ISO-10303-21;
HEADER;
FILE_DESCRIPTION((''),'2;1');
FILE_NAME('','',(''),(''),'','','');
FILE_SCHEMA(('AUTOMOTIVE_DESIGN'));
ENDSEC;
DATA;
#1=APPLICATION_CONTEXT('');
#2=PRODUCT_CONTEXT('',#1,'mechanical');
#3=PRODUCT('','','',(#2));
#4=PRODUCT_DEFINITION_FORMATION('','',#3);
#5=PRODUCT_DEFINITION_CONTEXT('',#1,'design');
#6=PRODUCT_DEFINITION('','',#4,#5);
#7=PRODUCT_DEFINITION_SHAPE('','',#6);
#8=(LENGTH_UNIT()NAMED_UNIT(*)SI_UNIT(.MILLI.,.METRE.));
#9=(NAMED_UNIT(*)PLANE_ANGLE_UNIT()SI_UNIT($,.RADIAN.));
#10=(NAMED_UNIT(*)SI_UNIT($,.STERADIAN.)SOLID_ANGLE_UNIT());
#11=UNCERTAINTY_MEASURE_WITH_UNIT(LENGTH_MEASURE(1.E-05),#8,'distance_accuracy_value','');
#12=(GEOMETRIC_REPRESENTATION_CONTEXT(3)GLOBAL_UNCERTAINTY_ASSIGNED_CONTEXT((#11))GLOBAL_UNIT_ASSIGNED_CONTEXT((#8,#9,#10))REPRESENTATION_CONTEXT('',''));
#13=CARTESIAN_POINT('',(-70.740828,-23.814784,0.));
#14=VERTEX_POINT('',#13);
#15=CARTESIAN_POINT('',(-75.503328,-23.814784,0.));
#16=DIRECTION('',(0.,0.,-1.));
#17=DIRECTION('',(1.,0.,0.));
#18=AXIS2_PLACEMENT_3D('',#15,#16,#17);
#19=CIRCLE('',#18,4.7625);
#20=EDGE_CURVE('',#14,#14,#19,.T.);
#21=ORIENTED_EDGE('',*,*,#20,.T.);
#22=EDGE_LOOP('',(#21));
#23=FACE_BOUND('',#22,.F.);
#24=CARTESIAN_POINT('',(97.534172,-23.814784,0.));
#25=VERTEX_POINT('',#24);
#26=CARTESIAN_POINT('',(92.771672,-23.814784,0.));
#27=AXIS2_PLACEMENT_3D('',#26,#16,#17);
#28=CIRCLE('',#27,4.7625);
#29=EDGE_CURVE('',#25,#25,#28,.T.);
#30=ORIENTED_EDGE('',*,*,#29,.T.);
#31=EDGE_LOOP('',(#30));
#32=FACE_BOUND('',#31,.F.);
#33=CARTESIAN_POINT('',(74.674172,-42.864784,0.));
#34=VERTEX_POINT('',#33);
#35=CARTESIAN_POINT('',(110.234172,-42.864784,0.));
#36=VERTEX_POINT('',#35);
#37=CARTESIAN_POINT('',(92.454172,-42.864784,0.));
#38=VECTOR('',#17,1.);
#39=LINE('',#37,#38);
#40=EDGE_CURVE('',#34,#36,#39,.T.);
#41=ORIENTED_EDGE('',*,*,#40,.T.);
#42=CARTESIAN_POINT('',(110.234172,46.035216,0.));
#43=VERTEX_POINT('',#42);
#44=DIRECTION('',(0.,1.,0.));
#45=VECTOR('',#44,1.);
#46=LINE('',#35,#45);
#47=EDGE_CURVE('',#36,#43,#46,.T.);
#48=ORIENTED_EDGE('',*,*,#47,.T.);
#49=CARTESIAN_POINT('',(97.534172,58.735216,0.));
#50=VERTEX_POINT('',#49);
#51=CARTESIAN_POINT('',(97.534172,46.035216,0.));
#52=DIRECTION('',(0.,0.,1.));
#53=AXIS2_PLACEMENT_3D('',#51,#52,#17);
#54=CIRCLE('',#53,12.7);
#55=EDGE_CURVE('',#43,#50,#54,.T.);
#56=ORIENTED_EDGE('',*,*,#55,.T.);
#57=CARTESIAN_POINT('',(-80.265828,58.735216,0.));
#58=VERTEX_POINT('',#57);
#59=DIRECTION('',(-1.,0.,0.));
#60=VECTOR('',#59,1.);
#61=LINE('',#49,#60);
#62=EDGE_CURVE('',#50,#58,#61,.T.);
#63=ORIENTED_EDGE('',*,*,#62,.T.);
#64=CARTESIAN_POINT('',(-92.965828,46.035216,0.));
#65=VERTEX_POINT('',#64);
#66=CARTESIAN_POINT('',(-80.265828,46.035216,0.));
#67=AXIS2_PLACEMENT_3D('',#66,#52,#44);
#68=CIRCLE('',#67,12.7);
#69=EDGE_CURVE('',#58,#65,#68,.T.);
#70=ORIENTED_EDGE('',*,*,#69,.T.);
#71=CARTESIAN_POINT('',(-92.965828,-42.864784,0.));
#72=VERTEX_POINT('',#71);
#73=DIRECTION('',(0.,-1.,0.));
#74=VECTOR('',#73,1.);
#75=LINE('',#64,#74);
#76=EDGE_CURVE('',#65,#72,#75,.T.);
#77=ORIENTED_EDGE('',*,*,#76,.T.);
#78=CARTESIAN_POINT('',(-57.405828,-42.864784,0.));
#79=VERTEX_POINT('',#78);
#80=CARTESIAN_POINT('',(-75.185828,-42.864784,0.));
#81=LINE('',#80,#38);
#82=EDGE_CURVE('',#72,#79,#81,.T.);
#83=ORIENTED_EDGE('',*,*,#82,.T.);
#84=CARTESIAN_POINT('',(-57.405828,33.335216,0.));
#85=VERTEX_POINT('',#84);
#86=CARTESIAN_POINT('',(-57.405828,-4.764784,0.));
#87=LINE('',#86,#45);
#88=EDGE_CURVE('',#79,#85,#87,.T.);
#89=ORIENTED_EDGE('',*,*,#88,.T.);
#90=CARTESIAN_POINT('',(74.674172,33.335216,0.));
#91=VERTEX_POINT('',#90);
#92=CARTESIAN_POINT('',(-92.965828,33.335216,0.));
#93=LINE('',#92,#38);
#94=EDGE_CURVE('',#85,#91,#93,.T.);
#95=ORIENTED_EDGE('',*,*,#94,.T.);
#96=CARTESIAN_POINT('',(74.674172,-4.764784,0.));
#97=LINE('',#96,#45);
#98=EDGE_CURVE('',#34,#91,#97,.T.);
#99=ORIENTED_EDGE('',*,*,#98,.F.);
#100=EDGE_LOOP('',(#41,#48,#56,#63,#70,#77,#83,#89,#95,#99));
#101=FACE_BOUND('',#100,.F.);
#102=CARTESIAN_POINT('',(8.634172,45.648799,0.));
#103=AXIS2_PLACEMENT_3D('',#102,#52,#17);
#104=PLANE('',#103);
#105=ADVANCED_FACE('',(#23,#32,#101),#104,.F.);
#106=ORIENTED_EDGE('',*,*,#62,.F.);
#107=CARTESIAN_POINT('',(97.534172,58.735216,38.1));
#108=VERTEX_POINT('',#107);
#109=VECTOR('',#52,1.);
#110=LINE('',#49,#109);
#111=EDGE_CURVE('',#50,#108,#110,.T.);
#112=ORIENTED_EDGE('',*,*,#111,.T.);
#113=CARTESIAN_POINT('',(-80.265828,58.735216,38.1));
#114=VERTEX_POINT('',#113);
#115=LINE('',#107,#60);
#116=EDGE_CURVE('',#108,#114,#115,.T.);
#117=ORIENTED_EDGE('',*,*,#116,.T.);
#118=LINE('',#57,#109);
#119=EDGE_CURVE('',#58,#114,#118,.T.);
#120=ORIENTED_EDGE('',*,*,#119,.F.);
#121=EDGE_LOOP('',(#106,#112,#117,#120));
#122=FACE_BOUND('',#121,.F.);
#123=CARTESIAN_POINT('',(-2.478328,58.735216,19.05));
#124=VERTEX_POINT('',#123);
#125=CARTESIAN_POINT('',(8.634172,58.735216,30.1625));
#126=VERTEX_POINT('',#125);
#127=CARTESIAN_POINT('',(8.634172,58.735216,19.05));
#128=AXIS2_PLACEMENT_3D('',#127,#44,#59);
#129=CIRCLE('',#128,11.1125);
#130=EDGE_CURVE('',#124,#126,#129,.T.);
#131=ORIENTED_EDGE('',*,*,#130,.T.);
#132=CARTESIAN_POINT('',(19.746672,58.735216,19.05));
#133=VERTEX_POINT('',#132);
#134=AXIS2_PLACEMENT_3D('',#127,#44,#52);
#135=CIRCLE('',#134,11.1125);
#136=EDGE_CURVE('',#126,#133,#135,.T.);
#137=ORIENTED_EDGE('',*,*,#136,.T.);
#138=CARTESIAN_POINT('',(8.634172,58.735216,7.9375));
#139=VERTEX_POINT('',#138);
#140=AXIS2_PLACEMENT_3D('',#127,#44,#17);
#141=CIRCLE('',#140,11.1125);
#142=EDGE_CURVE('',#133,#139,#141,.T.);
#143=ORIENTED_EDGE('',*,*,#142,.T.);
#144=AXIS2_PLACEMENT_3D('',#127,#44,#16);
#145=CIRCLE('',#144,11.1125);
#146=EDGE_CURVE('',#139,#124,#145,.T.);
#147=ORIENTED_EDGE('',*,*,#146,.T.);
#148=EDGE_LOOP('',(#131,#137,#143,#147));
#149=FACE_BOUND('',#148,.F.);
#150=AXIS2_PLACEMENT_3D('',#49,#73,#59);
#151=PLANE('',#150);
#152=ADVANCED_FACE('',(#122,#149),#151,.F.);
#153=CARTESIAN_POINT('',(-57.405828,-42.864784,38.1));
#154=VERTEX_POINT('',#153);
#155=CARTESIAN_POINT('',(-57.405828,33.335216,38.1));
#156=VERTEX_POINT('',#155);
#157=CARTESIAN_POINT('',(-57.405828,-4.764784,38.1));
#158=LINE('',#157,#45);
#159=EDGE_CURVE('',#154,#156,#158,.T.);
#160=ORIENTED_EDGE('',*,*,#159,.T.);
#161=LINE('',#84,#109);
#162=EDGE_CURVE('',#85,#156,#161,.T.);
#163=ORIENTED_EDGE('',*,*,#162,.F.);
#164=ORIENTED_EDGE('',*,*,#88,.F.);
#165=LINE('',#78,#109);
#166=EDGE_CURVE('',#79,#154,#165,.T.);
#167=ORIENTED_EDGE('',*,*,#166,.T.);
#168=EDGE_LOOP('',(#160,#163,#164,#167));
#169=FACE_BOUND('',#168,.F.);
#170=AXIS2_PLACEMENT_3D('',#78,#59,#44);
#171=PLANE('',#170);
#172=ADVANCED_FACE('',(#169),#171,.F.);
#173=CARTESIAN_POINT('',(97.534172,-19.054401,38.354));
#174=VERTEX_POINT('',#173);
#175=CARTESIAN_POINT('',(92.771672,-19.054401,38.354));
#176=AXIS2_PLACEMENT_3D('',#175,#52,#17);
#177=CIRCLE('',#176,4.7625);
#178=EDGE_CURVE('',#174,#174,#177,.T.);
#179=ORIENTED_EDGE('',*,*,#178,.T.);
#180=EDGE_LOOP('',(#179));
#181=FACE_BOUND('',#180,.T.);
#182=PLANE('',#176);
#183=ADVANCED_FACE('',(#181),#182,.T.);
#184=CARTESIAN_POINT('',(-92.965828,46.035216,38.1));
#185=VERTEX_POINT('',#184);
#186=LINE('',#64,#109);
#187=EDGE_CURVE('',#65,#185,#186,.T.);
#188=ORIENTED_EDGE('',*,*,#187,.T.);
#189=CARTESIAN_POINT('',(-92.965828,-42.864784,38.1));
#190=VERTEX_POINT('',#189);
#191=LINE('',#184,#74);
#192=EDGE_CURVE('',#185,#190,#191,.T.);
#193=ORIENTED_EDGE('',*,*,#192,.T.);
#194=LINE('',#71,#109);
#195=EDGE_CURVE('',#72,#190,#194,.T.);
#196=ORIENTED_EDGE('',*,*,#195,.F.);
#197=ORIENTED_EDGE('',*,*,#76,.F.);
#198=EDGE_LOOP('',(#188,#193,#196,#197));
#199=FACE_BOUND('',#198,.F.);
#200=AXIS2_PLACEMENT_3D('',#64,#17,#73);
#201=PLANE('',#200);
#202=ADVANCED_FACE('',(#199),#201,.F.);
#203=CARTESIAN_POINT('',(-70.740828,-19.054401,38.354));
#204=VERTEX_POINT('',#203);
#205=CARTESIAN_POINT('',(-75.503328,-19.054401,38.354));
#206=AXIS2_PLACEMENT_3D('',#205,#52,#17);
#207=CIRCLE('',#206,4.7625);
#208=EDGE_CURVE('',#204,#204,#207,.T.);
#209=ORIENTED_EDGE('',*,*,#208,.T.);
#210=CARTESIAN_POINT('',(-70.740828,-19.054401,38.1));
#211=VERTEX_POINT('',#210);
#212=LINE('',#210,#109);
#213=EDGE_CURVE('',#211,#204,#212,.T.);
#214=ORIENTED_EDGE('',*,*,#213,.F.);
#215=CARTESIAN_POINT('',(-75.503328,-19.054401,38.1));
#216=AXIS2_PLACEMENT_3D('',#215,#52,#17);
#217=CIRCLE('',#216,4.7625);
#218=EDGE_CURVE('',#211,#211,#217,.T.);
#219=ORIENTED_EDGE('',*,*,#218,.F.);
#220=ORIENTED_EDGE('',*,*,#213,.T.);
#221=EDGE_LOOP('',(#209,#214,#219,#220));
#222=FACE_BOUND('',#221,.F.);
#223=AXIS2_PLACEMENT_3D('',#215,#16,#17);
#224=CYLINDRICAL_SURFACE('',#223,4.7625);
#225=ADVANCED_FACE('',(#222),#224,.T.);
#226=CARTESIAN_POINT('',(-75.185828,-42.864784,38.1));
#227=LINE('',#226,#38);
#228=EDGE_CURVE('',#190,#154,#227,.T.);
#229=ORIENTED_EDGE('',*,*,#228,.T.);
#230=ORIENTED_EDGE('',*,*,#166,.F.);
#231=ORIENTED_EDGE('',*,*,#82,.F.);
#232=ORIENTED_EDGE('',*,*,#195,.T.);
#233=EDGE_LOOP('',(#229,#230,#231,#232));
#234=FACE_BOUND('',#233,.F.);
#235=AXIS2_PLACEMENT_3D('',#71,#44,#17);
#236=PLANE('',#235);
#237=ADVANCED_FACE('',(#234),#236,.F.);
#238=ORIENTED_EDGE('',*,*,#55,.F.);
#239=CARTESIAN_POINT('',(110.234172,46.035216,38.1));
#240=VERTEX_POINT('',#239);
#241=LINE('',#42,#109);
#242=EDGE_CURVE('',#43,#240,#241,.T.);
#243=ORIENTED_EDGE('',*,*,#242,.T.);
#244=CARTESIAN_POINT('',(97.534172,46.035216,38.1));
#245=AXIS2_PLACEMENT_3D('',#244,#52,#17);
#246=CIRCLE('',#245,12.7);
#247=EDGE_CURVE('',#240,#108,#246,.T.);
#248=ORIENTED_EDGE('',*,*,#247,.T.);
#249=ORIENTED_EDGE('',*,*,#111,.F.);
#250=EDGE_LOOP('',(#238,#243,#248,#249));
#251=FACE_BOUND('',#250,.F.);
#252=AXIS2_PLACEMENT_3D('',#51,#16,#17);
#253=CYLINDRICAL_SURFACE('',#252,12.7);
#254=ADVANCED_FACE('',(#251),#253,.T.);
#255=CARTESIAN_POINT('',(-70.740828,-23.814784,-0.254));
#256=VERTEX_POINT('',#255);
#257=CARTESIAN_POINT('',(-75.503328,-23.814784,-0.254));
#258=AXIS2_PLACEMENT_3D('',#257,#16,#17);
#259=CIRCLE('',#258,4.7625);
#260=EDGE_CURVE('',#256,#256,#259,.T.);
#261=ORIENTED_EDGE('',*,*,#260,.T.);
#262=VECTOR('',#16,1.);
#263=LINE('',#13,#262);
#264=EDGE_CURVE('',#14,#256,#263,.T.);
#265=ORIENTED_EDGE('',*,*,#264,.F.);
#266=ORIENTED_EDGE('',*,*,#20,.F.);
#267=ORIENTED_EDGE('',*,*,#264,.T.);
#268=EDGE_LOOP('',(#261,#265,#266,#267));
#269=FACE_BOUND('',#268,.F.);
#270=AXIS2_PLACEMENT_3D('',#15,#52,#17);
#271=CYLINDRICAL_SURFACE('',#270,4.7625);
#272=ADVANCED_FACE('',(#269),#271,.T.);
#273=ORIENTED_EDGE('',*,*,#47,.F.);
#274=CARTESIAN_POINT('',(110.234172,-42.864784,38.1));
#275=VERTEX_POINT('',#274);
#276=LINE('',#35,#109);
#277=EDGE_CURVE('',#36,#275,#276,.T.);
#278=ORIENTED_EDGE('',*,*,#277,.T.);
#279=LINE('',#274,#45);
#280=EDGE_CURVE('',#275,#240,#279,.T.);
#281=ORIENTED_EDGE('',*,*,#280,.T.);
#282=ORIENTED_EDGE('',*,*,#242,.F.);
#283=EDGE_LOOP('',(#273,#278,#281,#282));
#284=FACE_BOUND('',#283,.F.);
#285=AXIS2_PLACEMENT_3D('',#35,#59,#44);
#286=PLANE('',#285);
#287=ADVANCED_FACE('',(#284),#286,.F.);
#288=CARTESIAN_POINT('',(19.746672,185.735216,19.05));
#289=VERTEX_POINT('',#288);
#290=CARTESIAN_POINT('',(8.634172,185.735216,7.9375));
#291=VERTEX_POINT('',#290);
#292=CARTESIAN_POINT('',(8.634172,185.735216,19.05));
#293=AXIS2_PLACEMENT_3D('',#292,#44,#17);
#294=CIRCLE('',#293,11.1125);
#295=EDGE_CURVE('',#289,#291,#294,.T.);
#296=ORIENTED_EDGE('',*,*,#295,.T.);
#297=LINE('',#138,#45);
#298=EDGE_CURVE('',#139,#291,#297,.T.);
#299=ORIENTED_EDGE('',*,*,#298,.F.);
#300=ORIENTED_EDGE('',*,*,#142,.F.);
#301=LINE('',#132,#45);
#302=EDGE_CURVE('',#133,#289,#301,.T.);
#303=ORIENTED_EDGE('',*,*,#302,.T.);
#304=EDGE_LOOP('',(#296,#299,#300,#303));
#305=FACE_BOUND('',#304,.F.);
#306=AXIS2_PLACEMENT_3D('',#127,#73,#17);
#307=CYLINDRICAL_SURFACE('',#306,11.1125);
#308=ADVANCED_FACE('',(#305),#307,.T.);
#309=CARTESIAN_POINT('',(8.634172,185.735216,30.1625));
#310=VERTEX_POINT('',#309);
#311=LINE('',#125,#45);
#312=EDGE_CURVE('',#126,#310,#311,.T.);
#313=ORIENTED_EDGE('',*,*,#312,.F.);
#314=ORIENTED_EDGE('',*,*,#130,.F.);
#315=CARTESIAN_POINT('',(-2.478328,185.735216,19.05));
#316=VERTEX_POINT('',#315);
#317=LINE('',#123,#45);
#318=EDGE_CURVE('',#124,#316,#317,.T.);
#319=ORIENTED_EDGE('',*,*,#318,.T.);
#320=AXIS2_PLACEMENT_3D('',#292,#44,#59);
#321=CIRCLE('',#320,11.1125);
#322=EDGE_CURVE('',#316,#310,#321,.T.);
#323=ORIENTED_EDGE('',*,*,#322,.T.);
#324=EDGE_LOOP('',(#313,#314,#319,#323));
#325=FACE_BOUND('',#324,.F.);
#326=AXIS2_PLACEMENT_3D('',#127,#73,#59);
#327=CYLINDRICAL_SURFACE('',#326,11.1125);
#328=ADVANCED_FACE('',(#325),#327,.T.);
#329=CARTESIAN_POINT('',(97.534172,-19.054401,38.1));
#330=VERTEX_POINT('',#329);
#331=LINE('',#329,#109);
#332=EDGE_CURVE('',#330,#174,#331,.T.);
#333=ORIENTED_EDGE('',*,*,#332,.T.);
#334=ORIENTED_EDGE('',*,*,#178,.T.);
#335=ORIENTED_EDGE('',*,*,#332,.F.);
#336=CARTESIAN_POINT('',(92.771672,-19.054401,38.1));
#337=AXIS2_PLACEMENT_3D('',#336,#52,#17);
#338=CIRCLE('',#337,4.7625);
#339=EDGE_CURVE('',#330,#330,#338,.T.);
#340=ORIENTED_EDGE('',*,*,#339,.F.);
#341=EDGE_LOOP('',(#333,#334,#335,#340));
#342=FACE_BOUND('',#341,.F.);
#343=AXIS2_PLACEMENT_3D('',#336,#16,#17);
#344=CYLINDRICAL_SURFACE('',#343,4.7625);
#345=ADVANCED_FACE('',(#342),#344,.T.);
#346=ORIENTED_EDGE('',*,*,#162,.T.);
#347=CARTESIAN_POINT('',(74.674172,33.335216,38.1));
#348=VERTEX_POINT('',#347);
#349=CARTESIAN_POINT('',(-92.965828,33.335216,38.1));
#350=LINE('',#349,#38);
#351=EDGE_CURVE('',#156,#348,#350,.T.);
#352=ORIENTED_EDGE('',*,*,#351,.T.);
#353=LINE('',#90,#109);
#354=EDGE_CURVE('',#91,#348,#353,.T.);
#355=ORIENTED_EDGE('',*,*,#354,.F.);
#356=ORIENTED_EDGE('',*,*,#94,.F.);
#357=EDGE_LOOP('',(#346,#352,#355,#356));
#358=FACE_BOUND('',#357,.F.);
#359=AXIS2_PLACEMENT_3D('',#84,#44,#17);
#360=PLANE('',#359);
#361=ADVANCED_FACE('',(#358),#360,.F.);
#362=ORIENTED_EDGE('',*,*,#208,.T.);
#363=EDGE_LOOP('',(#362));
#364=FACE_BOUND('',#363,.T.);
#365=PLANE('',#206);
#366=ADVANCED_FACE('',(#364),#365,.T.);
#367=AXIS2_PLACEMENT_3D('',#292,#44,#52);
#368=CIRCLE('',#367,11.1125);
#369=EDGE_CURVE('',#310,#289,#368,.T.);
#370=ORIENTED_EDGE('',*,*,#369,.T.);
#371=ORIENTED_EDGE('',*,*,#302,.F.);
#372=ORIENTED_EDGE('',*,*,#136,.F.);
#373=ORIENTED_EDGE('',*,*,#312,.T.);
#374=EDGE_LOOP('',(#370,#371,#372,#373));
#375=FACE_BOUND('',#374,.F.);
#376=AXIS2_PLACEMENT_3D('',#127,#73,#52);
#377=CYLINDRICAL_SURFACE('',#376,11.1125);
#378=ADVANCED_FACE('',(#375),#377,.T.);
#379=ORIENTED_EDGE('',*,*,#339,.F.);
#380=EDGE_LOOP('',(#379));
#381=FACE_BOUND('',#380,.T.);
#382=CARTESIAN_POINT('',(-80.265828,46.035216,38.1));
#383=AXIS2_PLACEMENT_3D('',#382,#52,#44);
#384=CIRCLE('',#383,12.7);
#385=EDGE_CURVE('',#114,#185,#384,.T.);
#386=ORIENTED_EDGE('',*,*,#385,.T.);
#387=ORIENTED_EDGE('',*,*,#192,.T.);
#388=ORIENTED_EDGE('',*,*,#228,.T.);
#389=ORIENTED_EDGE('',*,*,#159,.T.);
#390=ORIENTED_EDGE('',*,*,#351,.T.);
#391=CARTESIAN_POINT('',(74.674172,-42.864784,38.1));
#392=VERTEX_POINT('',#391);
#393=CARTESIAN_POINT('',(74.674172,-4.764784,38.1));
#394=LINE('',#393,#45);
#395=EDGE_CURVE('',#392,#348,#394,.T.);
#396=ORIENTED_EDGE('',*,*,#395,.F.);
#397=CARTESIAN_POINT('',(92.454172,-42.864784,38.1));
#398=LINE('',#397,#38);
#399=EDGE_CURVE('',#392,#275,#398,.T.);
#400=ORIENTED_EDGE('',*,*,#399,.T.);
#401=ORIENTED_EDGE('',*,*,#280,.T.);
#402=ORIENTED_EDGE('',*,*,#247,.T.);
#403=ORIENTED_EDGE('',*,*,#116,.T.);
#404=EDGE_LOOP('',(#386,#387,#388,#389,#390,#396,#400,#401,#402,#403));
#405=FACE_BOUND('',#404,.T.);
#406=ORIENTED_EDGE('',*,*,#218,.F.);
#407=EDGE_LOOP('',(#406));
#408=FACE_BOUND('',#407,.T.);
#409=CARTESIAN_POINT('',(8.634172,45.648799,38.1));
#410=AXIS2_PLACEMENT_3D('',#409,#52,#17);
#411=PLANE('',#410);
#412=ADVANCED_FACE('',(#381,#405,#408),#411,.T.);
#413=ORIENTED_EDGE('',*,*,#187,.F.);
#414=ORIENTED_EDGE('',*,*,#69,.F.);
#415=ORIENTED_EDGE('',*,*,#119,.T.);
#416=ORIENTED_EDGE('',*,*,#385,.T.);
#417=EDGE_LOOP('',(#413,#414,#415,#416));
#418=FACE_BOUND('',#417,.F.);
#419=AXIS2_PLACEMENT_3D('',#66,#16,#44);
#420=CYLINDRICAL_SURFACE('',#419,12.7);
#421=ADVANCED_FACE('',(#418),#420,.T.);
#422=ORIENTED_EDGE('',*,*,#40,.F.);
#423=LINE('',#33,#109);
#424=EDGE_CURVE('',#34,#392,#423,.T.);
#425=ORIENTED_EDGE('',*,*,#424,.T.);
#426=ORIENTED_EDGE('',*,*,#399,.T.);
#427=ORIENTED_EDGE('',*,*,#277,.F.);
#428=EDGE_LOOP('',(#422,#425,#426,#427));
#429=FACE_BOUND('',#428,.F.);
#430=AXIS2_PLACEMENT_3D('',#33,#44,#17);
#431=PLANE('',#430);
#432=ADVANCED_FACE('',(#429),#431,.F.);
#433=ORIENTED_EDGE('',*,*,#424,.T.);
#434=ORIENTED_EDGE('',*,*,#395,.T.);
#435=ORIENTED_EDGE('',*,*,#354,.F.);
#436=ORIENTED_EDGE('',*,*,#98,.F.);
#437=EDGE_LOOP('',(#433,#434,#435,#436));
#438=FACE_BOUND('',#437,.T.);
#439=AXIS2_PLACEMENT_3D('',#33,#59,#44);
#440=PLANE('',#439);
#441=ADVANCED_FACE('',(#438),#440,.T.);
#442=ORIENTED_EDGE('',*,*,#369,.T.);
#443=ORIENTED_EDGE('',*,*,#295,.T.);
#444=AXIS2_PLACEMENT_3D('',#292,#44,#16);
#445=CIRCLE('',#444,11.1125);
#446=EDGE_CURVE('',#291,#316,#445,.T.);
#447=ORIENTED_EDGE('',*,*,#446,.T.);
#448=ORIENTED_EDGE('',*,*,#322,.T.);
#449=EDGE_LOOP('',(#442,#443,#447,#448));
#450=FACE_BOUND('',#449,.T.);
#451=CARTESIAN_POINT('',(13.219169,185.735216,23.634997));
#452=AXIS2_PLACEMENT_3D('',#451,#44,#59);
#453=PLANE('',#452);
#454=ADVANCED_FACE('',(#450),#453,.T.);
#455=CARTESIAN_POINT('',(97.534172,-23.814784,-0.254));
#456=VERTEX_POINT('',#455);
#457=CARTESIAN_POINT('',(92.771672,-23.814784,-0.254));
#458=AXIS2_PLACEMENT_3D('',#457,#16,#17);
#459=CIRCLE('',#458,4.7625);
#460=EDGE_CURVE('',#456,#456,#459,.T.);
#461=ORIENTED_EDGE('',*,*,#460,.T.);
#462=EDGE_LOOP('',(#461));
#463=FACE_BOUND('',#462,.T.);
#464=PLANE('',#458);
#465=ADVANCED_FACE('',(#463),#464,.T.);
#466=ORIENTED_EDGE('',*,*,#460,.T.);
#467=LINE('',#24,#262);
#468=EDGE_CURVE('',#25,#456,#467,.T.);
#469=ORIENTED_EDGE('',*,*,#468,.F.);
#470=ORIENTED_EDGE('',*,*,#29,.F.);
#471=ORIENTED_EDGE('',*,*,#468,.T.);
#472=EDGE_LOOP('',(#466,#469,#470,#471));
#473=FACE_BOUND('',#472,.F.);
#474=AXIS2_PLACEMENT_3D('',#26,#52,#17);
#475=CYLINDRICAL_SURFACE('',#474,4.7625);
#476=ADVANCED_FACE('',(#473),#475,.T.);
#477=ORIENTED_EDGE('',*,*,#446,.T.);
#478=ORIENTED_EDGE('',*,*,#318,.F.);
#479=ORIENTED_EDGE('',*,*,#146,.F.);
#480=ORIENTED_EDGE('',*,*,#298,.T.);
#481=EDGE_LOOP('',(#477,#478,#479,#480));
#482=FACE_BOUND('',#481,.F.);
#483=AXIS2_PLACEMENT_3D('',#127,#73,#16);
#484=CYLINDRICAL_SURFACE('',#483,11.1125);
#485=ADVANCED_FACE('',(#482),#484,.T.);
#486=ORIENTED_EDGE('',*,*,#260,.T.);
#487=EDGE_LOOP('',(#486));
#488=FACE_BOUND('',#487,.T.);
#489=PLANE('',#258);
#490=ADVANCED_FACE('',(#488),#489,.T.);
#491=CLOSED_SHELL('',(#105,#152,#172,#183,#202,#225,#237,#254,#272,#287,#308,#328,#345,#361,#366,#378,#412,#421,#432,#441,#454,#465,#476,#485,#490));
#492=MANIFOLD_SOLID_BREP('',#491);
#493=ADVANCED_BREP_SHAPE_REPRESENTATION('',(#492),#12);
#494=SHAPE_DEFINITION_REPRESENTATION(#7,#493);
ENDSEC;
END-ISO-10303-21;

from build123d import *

# Parameters (mm, degrees)
F0_W     = 35.56
F0_H     = 76.2
F1_DEPTH = 38.1
F2_R     = 4.7625
F3_DEPTH = 0.254
F5_DEPTH = 127
F6_R     = 4.7625
F7_DEPTH = 0.254


with BuildPart() as f1:
    # F0 (on Top) → F1 (new body)
    with BuildSketch(Plane.XY):
        with BuildLine():
            Line((97.53417238, 58.7352159441), (-80.26582762, 58.7352159441))
            ThreePointArc((-80.26582762, 58.7352159441), (-89.2460837411, 55.0154720651), (-92.96582762, 46.0352159441))
            Line((-92.96582762, 46.0352159441), (-92.96582762, 33.3352159441))
            Line((-92.96582762, 33.3352159441), (-57.40582762, 33.3352159441))
            Line((-57.40582762, 33.3352159441), (74.67417238, 33.3352159441))
            Line((74.67417238, 33.3352159441), (110.23417238, 33.3352159441))
            Line((110.23417238, 33.3352159441), (110.23417238, 46.0352159441))
            ThreePointArc((110.23417238, 46.0352159441), (106.514428501, 55.0154720651), (97.53417238, 58.7352159441))
        make_face()
        with Locations((-75.18582762, -4.7647840559)):
            Rectangle(F0_W, F0_H)
        with Locations((92.45417238, -4.7647840559)):
            Rectangle(F0_W, F0_H)
    extrude(amount=F1_DEPTH)

    # F2 (on face) → F3 (join)
    with BuildSketch(Plane.XY.offset(38.1)):
        with Locations((-75.50332762, -19.0544008167)):
            Circle(F2_R)
        with Locations((92.77167238, -19.0544008167)):
            Circle(F2_R)
    extrude(amount=F3_DEPTH)

    # F4 (on face) → F5 (join)
    with BuildSketch(Plane(origin=(0, 58.7352159441, 0), x_dir=(-1, 0, 0), z_dir=(0, 1, 0))):
        with BuildLine():
            Line((-19.74667238, 19.05), (-8.63417238, 19.05))
            Line((-8.63417238, 19.05), (-8.63417238, 30.1625))
            ThreePointArc((-8.63417238, 30.1625), (-16.4918964859, 26.9077241059), (-19.74667238, 19.05))
        make_face()
        with BuildLine():
            Line((-8.63417238, 30.1625), (-8.63417238, 19.05))
            Line((-8.63417238, 19.05), (2.47832762, 19.05))
            ThreePointArc((2.47832762, 19.05), (-0.776448274, 26.9077241059), (-8.63417238, 30.1625))
        make_face()
        with BuildLine():
            Line((2.47832762, 19.05), (-8.63417238, 19.05))
            Line((-8.63417238, 19.05), (-8.63417238, 7.9375))
            ThreePointArc((-8.63417238, 7.9375), (-0.776448274, 11.1922758941), (2.47832762, 19.05))
        make_face()
        with BuildLine():
            Line((-8.63417238, 7.9375), (-8.63417238, 19.05))
            Line((-8.63417238, 19.05), (-19.74667238, 19.05))
            ThreePointArc((-19.74667238, 19.05), (-16.4918964859, 11.1922758941), (-8.63417238, 7.9375))
        make_face()
    extrude(amount=F5_DEPTH)

    # F6 (on face) → F7 (join)
    with BuildSketch(Plane(origin=(0, 0, 0), x_dir=(1, 0, 0), z_dir=(0, 0, -1))):
        with Locations((-75.50332762, 23.8147840559)):
            Circle(F6_R)
        with Locations((92.77167238, 23.8147840559)):
            Circle(F6_R)
    extrude(amount=F7_DEPTH)


solid = f1.part
